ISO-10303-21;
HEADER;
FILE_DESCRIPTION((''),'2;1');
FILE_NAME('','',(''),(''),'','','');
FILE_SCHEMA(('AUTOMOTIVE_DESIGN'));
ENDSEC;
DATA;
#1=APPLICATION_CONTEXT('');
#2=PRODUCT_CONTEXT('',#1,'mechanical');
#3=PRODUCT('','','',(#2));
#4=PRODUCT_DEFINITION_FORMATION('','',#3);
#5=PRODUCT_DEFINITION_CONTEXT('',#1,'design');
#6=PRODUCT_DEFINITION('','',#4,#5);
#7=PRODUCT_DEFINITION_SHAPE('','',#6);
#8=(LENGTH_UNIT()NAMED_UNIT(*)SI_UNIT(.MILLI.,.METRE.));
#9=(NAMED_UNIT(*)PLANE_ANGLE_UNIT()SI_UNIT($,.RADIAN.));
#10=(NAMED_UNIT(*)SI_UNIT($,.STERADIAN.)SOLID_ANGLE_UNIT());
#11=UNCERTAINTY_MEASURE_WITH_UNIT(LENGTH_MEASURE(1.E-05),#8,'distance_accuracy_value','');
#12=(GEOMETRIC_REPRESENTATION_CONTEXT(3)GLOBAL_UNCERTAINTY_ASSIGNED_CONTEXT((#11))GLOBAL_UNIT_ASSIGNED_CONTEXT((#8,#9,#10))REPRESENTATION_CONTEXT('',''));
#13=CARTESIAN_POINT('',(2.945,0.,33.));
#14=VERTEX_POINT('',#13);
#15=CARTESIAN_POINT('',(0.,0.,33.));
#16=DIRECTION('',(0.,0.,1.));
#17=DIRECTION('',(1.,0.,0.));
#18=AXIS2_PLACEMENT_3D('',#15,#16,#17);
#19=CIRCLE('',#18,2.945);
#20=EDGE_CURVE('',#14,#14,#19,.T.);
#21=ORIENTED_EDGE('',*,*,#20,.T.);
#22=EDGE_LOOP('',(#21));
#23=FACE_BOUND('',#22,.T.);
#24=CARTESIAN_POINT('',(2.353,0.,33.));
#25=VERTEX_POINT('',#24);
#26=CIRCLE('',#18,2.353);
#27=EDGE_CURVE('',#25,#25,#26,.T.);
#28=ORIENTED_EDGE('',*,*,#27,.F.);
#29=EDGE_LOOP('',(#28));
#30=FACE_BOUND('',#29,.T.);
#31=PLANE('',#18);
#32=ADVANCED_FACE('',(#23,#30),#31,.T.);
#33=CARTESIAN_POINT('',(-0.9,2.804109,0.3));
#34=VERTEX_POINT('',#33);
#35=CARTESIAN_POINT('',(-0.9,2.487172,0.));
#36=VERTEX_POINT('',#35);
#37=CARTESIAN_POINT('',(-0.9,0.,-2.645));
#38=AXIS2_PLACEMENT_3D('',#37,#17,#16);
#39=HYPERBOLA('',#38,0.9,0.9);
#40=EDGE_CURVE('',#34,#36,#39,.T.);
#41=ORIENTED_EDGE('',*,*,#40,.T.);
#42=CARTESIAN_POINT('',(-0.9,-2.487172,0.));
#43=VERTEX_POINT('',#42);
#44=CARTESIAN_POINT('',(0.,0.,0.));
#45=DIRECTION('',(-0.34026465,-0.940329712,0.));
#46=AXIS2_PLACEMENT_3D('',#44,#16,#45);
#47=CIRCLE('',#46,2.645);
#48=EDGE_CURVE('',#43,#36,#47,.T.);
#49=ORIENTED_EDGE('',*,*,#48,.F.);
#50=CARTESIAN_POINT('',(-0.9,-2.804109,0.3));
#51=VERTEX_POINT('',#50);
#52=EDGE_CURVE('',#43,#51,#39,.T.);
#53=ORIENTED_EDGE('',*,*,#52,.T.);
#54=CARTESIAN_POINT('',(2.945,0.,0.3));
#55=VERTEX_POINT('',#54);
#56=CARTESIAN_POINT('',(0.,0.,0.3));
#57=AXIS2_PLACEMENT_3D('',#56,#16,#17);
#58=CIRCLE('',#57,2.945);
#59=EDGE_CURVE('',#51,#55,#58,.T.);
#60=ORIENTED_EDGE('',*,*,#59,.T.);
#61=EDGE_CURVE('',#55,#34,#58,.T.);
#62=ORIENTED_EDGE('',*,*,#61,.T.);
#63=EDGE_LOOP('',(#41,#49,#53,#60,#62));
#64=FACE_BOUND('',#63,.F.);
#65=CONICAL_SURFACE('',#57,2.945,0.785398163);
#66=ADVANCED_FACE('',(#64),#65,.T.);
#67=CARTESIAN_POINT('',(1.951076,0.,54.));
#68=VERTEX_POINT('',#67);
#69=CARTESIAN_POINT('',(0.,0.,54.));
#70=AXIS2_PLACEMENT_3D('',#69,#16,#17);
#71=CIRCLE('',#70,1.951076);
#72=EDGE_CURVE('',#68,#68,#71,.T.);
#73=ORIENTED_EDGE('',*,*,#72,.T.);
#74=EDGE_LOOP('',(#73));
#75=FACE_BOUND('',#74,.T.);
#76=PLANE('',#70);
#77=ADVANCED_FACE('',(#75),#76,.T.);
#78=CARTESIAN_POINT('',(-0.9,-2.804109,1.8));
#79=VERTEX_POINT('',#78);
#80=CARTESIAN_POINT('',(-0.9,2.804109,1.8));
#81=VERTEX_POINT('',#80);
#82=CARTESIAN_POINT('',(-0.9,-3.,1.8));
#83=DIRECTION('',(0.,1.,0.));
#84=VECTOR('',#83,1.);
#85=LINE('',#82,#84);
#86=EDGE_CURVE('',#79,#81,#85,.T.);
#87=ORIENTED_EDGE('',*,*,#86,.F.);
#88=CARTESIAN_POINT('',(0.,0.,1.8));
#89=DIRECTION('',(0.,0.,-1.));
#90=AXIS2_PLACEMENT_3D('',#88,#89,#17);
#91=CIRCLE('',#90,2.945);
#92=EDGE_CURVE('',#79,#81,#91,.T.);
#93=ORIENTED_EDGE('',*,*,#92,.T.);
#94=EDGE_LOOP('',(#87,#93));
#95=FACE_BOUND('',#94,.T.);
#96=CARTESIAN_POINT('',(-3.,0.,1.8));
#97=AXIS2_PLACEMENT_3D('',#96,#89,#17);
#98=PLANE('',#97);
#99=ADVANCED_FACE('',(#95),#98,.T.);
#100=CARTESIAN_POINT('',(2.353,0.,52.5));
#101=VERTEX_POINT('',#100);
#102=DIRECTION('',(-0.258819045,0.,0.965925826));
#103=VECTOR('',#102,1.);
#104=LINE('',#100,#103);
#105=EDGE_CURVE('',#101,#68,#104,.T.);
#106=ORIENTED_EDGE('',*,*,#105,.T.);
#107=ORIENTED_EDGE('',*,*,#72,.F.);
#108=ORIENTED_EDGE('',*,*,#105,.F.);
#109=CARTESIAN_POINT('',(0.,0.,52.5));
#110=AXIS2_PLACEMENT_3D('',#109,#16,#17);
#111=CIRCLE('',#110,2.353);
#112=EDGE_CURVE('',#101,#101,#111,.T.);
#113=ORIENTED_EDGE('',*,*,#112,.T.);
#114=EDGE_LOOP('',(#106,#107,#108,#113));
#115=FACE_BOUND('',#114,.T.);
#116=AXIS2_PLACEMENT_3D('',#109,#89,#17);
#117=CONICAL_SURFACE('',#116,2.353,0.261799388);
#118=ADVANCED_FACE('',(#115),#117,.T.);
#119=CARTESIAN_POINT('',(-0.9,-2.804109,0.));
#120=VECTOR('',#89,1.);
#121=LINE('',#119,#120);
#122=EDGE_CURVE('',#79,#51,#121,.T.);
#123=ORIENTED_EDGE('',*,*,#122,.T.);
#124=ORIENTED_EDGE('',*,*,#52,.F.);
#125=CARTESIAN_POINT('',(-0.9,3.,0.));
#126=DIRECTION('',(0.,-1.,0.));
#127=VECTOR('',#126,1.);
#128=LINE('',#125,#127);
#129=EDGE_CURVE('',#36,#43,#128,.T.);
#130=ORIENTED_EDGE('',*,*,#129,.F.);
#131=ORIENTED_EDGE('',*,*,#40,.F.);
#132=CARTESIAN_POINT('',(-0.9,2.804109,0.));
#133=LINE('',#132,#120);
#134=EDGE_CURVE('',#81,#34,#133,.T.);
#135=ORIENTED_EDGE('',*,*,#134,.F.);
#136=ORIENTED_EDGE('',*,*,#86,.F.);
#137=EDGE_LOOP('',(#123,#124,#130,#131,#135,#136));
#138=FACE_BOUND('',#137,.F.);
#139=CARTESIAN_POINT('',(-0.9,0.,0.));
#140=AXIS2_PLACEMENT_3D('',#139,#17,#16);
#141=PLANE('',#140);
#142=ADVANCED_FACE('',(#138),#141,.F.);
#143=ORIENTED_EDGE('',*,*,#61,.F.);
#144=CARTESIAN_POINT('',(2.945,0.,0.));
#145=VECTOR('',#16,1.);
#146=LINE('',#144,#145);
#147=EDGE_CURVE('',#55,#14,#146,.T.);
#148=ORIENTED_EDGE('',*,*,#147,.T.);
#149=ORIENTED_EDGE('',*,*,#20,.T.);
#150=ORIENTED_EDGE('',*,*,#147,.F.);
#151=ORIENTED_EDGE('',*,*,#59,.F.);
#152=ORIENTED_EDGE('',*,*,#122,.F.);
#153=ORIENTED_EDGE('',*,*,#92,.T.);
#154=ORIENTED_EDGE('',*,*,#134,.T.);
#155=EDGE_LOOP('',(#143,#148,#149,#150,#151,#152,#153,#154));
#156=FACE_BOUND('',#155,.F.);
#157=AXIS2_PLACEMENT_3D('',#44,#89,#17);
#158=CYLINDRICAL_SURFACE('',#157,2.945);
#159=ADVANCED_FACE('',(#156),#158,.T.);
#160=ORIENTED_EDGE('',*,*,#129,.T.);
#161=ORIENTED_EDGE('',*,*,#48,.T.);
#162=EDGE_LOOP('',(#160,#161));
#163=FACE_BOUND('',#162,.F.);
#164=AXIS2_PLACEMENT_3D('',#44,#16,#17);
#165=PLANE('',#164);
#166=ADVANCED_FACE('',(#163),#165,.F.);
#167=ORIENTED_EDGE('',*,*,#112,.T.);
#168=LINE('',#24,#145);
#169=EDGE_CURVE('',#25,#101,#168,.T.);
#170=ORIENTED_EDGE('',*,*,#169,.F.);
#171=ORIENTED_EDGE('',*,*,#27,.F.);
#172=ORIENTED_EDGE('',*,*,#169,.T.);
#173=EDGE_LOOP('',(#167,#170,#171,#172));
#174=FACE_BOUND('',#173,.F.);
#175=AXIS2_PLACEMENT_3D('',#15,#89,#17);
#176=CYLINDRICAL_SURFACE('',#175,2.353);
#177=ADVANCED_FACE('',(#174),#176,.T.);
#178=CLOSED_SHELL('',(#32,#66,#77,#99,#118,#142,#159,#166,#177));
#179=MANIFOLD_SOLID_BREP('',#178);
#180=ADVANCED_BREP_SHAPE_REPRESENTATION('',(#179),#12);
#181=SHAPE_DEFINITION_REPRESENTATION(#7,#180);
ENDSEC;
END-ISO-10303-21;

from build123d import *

# Parameters (mm, degrees)
F0_R     = 0.9816666667
F1_DEPTH = 11
F2_R     = 0.7843333333
F3_DEPTH = 7
F4_SIZE  = 0.1
F5_SIZE2 = 0.1339745962
F5_SIZE  = 0.5
F6_W     = 0.7
F6_H     = 0.6
F7_DEPTH = 1
F8_SCALE = 3


with BuildPart() as f1:
    # F0 (on Top) → F1 (new body)
    with BuildSketch(Plane.XY):
        Circle(F0_R)
    extrude(amount=F1_DEPTH)

    # F2 (on face) → F3 (join)
    with BuildSketch(Plane.XY.offset(11)):
        Circle(F2_R)
    extrude(amount=F3_DEPTH)

    # F4
    f4_edges = [f1.edges().sort_by_distance(p)[0] for p in [
        (-0.981667, 0, 0),
    ]]
    chamfer(f4_edges, length=F4_SIZE)

    # F5
    f5_edges = [f1.edges().sort_by_distance(p)[0] for p in [
        (-0.784333, 0, 18),
    ]]
    f5_side = f1.faces().sort_by_distance((-0.784333, 0, 14.5))[0]
    chamfer(f5_edges, length=F5_SIZE, length2=F5_SIZE2, reference=f5_side)

    # F6 (on Front) → F7 (cut, symmetric)
    with BuildSketch(Plane.XZ):
        with Locations((-0.65, 0.3)):
            Rectangle(F6_W, F6_H)
    extrude(amount=F7_DEPTH, both=True, mode=Mode.SUBTRACT)


with BuildPart() as f1_1:
    # F8: moved
    add(f1.part.scale(F8_SCALE))


solid = f1_1.part
